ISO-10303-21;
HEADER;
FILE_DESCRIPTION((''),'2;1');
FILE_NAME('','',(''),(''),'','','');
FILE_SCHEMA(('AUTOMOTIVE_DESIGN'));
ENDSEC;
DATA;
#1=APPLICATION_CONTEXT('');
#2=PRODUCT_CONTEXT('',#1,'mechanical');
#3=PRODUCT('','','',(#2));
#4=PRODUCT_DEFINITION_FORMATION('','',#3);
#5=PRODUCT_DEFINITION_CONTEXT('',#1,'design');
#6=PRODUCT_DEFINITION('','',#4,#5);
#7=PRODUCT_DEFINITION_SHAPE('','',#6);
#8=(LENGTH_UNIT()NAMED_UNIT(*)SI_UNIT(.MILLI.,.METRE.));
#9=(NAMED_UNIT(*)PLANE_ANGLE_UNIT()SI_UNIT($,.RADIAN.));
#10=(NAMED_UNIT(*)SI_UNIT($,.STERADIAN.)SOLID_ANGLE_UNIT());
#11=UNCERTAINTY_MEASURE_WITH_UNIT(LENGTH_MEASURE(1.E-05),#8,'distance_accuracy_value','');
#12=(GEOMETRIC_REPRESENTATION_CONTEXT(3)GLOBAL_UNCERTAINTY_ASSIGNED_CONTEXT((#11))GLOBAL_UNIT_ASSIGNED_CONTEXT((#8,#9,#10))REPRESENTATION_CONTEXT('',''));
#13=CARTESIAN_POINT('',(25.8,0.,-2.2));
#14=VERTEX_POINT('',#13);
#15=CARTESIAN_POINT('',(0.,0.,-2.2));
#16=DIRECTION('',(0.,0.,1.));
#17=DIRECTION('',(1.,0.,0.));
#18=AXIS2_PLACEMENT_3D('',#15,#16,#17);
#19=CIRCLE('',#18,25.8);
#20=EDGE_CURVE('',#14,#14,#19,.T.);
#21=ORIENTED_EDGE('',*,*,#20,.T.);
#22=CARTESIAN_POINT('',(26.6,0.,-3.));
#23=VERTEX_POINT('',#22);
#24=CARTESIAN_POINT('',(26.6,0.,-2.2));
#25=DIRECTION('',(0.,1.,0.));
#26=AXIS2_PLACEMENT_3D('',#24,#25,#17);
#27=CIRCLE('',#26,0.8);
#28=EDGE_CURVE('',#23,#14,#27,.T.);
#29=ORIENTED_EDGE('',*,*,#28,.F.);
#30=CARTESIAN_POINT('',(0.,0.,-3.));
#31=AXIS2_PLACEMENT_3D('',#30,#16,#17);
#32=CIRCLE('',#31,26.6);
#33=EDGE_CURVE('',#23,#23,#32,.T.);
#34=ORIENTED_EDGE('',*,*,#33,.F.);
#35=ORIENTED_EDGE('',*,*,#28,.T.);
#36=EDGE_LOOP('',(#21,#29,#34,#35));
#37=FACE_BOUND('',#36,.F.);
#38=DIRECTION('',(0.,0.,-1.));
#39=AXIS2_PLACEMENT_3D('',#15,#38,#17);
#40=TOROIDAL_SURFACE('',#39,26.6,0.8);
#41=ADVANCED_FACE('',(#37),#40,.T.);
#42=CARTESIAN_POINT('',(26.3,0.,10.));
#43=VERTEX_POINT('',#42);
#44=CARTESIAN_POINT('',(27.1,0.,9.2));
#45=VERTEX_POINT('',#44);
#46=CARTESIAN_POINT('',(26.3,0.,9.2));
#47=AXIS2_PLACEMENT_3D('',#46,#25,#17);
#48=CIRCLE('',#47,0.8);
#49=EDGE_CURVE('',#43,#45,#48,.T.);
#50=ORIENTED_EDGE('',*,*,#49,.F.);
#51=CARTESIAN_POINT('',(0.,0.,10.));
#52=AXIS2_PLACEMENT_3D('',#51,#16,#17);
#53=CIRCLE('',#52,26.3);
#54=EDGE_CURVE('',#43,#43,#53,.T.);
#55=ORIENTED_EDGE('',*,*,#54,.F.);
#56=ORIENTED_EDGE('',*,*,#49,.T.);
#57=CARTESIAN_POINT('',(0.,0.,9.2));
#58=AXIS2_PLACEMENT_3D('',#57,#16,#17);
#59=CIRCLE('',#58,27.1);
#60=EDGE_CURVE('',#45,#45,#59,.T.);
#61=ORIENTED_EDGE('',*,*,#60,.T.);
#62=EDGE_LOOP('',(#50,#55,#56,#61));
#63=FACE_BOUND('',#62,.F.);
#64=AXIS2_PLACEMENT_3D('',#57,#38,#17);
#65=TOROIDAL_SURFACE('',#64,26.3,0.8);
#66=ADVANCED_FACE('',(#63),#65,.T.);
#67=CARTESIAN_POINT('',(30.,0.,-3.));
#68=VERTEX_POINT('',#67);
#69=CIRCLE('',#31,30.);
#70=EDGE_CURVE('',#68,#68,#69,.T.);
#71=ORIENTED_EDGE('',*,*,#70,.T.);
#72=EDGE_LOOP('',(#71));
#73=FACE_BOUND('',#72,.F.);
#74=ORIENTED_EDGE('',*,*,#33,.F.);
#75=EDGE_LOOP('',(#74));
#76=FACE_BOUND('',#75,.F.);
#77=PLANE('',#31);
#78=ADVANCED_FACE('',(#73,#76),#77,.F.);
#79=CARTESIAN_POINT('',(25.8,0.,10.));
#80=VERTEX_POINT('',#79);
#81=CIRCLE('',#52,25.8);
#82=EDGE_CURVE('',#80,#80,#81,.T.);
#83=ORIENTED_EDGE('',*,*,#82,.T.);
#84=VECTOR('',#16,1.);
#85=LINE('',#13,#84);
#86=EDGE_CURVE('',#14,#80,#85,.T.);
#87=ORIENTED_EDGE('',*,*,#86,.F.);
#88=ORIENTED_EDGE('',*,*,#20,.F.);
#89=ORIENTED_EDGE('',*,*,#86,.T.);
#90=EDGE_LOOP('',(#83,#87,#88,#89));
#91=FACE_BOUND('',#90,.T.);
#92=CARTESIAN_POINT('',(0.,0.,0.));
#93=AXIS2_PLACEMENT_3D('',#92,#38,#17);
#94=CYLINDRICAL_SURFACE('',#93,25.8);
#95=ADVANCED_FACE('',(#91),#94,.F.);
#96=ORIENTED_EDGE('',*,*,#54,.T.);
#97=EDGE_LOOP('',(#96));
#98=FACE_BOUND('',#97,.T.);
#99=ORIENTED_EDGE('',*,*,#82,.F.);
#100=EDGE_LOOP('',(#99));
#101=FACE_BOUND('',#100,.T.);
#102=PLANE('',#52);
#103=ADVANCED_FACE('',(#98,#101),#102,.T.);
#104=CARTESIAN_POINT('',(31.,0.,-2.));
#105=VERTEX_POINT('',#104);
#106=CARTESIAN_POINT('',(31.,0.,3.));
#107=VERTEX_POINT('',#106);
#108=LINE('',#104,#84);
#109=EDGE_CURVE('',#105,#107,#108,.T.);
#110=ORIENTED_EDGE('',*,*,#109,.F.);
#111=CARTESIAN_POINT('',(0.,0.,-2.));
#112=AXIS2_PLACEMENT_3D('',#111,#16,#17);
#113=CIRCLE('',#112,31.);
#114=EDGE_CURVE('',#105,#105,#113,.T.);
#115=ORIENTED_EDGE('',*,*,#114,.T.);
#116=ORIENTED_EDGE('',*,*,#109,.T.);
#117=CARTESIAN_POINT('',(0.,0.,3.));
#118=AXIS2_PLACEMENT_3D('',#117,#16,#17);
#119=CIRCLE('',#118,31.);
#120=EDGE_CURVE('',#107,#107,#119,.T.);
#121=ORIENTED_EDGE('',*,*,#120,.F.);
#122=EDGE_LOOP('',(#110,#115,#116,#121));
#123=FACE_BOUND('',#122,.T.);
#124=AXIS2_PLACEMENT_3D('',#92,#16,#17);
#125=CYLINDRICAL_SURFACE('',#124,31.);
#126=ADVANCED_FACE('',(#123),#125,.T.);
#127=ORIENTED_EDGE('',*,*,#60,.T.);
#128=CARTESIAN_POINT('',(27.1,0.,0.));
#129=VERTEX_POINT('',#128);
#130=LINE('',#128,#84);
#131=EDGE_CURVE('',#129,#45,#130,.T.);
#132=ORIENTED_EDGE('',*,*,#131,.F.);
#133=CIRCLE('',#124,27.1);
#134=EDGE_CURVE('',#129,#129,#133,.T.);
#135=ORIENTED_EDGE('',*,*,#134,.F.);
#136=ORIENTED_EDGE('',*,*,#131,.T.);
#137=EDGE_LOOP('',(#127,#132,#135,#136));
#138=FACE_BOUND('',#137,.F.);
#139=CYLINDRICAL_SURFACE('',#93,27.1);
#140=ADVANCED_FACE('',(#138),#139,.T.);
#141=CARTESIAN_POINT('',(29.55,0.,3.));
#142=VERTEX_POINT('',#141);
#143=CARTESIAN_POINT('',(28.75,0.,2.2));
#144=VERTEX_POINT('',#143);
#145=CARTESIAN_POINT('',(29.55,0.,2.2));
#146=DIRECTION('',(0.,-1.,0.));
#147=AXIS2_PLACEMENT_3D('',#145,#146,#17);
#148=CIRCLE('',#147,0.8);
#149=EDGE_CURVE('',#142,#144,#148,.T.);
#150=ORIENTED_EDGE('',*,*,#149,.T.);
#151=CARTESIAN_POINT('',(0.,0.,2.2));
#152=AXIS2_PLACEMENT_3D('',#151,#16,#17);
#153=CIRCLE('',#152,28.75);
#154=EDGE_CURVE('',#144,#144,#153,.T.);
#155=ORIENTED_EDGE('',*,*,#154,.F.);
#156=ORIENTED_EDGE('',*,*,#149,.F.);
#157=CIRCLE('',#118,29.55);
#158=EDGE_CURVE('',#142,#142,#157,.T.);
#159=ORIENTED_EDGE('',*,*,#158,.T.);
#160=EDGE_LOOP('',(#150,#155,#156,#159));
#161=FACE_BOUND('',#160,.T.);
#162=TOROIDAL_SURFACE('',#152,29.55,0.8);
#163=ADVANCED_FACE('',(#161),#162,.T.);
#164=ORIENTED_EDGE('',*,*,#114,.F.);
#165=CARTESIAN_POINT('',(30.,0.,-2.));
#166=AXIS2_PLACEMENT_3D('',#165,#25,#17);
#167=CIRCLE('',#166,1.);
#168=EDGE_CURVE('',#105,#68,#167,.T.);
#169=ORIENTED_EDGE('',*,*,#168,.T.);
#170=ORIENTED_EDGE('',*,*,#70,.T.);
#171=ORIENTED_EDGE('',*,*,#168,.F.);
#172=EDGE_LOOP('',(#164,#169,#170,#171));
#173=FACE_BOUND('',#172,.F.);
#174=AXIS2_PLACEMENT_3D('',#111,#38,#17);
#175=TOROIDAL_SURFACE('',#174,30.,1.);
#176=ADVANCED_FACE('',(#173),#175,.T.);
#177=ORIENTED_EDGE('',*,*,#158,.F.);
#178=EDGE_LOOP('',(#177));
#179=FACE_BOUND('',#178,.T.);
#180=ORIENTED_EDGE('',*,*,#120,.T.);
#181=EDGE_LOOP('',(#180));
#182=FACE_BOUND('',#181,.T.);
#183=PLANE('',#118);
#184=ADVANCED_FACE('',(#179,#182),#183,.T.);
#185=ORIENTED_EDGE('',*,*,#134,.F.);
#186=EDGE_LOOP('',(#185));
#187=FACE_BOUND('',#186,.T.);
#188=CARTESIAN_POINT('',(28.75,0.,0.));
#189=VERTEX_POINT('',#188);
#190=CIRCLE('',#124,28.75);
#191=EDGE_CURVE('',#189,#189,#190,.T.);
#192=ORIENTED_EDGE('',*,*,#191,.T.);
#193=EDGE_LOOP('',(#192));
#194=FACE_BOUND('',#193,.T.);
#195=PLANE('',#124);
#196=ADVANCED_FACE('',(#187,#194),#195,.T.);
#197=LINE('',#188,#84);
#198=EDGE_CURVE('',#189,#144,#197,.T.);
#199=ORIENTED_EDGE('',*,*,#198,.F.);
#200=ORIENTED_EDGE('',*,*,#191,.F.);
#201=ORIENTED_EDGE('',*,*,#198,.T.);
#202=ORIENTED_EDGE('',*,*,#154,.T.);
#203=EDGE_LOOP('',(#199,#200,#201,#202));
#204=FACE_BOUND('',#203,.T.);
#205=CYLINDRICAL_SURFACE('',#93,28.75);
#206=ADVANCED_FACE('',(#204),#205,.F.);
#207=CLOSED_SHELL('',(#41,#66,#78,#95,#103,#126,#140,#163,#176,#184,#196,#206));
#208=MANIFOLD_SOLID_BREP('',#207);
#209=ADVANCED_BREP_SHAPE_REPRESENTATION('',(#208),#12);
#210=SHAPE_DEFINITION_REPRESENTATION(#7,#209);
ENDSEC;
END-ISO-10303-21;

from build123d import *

# Parameters (mm, degrees)
F0_R     = 31
F0_R_2   = 28.75
F0_R_3   = 27.1
F0_R_4   = 25.8
F1_DEPTH = 3
F2_DEPTH = 10
F3_DEPTH = 3
F4_DEPTH = 25
F5_R     = 0.8
F6_R     = 1


with BuildPart() as f1:
    # F0 (on Top) → F1 (new body)
    with BuildSketch(Plane.XY):
        Circle(F0_R)
        Circle(F0_R_2, mode=Mode.SUBTRACT)
        Circle(F0_R_2)
        Circle(F0_R_3, mode=Mode.SUBTRACT)
        Circle(F0_R_3)
        Circle(F0_R_4, mode=Mode.SUBTRACT)
    extrude(amount=-F1_DEPTH)

    # F0 (on Top) → F2 (join)
    with BuildSketch(Plane.XY):
        Circle(F0_R_3)
        Circle(F0_R_4, mode=Mode.SUBTRACT)
    extrude(amount=F2_DEPTH)

    # F0 (on Top) → F3 (join)
    with BuildSketch(Plane.XY):
        Circle(F0_R)
        Circle(F0_R_2, mode=Mode.SUBTRACT)
    extrude(amount=F3_DEPTH)

    # F0 (on Top) → F4 (cut)
    with BuildSketch(Plane.XY):
        Circle(F0_R_4)
    extrude(amount=F4_DEPTH, mode=Mode.SUBTRACT)

    # F5
    f5_edges = [f1.edges().sort_by_distance(p)[0] for p in [
        (-25.8, 0, -3),
        (-28.75, 0, 3),
        (-27.1, 0, 10),
    ]]
    fillet(f5_edges, radius=F5_R)

    # F6
    f6_edges = [f1.edges().sort_by_distance(p)[0] for p in [
        (-31, 0, -3),
    ]]
    fillet(f6_edges, radius=F6_R)


solid = f1.part
